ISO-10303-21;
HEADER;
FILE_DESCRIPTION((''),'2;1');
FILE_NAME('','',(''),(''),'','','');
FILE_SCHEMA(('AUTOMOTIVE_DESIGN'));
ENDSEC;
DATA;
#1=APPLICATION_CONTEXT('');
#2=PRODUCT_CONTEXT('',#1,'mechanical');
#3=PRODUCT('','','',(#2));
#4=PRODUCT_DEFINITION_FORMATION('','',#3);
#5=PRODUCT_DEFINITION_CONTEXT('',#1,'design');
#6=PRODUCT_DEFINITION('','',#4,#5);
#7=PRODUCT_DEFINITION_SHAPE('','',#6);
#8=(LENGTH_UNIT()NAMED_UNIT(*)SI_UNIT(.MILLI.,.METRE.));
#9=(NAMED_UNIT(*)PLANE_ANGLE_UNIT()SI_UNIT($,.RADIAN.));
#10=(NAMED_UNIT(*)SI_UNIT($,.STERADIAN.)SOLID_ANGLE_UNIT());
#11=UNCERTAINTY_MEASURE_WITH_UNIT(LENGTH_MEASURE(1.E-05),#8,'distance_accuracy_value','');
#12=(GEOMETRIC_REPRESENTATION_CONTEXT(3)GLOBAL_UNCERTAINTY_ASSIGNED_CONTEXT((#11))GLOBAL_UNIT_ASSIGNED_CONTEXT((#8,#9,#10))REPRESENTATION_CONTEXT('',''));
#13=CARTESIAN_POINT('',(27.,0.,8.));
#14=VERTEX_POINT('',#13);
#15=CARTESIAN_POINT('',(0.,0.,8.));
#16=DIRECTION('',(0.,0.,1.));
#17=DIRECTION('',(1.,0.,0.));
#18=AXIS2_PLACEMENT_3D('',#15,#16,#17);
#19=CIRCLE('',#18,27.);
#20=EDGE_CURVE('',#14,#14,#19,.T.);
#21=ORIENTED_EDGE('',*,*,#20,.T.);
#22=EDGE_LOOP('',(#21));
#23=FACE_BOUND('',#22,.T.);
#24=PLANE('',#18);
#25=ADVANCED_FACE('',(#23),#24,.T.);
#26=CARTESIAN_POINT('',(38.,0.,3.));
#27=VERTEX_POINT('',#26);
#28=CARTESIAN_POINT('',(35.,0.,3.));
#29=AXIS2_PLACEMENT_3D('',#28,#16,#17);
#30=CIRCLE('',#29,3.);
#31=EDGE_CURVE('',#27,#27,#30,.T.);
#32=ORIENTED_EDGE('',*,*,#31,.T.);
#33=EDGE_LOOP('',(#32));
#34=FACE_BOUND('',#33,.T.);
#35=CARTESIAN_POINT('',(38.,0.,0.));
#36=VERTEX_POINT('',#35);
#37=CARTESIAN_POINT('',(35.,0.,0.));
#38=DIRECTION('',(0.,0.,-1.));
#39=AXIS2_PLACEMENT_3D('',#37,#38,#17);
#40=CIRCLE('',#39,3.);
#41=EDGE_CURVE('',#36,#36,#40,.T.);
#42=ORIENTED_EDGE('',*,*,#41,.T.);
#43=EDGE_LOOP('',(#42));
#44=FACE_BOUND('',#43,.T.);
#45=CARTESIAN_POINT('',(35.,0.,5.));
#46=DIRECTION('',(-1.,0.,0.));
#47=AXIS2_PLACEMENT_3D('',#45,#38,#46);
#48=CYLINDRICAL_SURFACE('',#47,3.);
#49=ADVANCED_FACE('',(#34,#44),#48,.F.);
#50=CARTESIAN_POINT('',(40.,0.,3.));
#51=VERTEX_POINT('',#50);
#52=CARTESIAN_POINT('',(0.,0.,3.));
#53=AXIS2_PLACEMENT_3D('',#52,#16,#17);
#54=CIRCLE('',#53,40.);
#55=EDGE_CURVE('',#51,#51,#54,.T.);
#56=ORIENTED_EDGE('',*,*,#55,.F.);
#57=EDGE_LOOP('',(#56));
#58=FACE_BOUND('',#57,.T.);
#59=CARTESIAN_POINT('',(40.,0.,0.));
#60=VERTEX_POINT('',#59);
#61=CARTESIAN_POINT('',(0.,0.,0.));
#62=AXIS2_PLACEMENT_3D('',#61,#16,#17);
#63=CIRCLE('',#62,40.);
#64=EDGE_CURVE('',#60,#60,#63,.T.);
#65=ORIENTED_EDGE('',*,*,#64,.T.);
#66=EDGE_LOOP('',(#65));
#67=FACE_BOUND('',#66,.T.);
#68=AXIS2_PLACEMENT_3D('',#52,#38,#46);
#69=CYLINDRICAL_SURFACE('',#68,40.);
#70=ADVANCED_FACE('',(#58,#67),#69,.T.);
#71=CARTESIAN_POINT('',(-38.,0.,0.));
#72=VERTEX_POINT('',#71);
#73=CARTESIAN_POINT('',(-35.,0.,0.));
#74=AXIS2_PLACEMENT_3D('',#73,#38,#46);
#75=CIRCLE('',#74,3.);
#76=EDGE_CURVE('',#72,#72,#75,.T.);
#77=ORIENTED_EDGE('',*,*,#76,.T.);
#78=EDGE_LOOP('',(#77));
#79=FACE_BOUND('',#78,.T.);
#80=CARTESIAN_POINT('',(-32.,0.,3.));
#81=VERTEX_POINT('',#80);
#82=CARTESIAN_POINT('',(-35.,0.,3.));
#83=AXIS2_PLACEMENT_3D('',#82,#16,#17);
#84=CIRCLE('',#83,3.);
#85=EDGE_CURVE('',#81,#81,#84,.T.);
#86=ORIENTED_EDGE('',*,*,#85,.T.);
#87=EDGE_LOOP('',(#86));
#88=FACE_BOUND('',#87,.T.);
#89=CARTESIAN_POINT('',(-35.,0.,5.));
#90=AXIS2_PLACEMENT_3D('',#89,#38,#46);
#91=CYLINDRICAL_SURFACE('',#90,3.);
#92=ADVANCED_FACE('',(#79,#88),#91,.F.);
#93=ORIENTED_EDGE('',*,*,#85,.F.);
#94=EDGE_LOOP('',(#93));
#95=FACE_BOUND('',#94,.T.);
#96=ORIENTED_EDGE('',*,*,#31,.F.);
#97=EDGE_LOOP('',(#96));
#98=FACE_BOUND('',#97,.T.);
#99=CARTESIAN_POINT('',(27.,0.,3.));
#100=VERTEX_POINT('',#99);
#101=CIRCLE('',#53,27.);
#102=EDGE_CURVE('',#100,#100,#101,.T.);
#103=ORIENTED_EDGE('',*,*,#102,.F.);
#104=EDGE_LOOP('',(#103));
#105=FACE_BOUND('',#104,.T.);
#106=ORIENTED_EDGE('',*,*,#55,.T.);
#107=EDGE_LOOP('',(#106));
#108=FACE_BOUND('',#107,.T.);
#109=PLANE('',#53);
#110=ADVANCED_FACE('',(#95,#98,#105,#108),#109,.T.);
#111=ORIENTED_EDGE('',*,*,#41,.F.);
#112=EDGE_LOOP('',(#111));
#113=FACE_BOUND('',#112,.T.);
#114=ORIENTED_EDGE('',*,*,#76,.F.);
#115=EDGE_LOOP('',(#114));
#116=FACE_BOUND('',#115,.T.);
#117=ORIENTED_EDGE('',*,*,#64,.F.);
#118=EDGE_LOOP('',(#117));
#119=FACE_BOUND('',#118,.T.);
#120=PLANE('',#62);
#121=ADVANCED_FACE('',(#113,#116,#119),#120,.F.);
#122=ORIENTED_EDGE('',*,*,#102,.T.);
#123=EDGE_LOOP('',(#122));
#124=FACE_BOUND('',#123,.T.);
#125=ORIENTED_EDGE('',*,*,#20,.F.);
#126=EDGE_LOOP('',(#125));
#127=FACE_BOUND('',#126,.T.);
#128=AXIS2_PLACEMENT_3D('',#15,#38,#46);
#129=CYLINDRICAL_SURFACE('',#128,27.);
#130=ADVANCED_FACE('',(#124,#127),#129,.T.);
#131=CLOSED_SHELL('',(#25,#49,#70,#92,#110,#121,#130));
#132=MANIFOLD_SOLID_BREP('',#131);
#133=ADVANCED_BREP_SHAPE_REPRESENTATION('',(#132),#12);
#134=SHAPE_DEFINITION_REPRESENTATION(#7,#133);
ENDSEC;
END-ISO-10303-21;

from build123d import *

# Parameters (mm, degrees)
SKETCH_1_R          = 40
EXTRUDE_1_DEPTH     = 3
SKETCH_2_R          = 27
EXTRUDE_2_DEPTH     = 5
SKETCH_3_R          = 3
CUT_EXTRUDE_1_DEPTH = 5


with BuildPart() as part:
    # 草图1 → 凸台-拉伸1 (new body)
    with BuildSketch(Plane.XY):
        Circle(SKETCH_1_R)
    extrude(amount=EXTRUDE_1_DEPTH)

    # 草图2 → 凸台-拉伸2 (add)
    with BuildSketch(Plane.XY.offset(3)):
        Circle(SKETCH_2_R)
    extrude(amount=EXTRUDE_2_DEPTH)

    # 草图3 → 切除-拉伸1 (cut)
    with BuildSketch(Plane(origin=(0, 0, 0), x_dir=(-1, 0, 0), z_dir=(0, 0, -1))):
        with Locations((35, 0)):
            Circle(SKETCH_3_R)
        with Locations((-35, 0)):
            Circle(SKETCH_3_R)
    extrude(amount=-CUT_EXTRUDE_1_DEPTH, mode=Mode.SUBTRACT)


solid = part.part
